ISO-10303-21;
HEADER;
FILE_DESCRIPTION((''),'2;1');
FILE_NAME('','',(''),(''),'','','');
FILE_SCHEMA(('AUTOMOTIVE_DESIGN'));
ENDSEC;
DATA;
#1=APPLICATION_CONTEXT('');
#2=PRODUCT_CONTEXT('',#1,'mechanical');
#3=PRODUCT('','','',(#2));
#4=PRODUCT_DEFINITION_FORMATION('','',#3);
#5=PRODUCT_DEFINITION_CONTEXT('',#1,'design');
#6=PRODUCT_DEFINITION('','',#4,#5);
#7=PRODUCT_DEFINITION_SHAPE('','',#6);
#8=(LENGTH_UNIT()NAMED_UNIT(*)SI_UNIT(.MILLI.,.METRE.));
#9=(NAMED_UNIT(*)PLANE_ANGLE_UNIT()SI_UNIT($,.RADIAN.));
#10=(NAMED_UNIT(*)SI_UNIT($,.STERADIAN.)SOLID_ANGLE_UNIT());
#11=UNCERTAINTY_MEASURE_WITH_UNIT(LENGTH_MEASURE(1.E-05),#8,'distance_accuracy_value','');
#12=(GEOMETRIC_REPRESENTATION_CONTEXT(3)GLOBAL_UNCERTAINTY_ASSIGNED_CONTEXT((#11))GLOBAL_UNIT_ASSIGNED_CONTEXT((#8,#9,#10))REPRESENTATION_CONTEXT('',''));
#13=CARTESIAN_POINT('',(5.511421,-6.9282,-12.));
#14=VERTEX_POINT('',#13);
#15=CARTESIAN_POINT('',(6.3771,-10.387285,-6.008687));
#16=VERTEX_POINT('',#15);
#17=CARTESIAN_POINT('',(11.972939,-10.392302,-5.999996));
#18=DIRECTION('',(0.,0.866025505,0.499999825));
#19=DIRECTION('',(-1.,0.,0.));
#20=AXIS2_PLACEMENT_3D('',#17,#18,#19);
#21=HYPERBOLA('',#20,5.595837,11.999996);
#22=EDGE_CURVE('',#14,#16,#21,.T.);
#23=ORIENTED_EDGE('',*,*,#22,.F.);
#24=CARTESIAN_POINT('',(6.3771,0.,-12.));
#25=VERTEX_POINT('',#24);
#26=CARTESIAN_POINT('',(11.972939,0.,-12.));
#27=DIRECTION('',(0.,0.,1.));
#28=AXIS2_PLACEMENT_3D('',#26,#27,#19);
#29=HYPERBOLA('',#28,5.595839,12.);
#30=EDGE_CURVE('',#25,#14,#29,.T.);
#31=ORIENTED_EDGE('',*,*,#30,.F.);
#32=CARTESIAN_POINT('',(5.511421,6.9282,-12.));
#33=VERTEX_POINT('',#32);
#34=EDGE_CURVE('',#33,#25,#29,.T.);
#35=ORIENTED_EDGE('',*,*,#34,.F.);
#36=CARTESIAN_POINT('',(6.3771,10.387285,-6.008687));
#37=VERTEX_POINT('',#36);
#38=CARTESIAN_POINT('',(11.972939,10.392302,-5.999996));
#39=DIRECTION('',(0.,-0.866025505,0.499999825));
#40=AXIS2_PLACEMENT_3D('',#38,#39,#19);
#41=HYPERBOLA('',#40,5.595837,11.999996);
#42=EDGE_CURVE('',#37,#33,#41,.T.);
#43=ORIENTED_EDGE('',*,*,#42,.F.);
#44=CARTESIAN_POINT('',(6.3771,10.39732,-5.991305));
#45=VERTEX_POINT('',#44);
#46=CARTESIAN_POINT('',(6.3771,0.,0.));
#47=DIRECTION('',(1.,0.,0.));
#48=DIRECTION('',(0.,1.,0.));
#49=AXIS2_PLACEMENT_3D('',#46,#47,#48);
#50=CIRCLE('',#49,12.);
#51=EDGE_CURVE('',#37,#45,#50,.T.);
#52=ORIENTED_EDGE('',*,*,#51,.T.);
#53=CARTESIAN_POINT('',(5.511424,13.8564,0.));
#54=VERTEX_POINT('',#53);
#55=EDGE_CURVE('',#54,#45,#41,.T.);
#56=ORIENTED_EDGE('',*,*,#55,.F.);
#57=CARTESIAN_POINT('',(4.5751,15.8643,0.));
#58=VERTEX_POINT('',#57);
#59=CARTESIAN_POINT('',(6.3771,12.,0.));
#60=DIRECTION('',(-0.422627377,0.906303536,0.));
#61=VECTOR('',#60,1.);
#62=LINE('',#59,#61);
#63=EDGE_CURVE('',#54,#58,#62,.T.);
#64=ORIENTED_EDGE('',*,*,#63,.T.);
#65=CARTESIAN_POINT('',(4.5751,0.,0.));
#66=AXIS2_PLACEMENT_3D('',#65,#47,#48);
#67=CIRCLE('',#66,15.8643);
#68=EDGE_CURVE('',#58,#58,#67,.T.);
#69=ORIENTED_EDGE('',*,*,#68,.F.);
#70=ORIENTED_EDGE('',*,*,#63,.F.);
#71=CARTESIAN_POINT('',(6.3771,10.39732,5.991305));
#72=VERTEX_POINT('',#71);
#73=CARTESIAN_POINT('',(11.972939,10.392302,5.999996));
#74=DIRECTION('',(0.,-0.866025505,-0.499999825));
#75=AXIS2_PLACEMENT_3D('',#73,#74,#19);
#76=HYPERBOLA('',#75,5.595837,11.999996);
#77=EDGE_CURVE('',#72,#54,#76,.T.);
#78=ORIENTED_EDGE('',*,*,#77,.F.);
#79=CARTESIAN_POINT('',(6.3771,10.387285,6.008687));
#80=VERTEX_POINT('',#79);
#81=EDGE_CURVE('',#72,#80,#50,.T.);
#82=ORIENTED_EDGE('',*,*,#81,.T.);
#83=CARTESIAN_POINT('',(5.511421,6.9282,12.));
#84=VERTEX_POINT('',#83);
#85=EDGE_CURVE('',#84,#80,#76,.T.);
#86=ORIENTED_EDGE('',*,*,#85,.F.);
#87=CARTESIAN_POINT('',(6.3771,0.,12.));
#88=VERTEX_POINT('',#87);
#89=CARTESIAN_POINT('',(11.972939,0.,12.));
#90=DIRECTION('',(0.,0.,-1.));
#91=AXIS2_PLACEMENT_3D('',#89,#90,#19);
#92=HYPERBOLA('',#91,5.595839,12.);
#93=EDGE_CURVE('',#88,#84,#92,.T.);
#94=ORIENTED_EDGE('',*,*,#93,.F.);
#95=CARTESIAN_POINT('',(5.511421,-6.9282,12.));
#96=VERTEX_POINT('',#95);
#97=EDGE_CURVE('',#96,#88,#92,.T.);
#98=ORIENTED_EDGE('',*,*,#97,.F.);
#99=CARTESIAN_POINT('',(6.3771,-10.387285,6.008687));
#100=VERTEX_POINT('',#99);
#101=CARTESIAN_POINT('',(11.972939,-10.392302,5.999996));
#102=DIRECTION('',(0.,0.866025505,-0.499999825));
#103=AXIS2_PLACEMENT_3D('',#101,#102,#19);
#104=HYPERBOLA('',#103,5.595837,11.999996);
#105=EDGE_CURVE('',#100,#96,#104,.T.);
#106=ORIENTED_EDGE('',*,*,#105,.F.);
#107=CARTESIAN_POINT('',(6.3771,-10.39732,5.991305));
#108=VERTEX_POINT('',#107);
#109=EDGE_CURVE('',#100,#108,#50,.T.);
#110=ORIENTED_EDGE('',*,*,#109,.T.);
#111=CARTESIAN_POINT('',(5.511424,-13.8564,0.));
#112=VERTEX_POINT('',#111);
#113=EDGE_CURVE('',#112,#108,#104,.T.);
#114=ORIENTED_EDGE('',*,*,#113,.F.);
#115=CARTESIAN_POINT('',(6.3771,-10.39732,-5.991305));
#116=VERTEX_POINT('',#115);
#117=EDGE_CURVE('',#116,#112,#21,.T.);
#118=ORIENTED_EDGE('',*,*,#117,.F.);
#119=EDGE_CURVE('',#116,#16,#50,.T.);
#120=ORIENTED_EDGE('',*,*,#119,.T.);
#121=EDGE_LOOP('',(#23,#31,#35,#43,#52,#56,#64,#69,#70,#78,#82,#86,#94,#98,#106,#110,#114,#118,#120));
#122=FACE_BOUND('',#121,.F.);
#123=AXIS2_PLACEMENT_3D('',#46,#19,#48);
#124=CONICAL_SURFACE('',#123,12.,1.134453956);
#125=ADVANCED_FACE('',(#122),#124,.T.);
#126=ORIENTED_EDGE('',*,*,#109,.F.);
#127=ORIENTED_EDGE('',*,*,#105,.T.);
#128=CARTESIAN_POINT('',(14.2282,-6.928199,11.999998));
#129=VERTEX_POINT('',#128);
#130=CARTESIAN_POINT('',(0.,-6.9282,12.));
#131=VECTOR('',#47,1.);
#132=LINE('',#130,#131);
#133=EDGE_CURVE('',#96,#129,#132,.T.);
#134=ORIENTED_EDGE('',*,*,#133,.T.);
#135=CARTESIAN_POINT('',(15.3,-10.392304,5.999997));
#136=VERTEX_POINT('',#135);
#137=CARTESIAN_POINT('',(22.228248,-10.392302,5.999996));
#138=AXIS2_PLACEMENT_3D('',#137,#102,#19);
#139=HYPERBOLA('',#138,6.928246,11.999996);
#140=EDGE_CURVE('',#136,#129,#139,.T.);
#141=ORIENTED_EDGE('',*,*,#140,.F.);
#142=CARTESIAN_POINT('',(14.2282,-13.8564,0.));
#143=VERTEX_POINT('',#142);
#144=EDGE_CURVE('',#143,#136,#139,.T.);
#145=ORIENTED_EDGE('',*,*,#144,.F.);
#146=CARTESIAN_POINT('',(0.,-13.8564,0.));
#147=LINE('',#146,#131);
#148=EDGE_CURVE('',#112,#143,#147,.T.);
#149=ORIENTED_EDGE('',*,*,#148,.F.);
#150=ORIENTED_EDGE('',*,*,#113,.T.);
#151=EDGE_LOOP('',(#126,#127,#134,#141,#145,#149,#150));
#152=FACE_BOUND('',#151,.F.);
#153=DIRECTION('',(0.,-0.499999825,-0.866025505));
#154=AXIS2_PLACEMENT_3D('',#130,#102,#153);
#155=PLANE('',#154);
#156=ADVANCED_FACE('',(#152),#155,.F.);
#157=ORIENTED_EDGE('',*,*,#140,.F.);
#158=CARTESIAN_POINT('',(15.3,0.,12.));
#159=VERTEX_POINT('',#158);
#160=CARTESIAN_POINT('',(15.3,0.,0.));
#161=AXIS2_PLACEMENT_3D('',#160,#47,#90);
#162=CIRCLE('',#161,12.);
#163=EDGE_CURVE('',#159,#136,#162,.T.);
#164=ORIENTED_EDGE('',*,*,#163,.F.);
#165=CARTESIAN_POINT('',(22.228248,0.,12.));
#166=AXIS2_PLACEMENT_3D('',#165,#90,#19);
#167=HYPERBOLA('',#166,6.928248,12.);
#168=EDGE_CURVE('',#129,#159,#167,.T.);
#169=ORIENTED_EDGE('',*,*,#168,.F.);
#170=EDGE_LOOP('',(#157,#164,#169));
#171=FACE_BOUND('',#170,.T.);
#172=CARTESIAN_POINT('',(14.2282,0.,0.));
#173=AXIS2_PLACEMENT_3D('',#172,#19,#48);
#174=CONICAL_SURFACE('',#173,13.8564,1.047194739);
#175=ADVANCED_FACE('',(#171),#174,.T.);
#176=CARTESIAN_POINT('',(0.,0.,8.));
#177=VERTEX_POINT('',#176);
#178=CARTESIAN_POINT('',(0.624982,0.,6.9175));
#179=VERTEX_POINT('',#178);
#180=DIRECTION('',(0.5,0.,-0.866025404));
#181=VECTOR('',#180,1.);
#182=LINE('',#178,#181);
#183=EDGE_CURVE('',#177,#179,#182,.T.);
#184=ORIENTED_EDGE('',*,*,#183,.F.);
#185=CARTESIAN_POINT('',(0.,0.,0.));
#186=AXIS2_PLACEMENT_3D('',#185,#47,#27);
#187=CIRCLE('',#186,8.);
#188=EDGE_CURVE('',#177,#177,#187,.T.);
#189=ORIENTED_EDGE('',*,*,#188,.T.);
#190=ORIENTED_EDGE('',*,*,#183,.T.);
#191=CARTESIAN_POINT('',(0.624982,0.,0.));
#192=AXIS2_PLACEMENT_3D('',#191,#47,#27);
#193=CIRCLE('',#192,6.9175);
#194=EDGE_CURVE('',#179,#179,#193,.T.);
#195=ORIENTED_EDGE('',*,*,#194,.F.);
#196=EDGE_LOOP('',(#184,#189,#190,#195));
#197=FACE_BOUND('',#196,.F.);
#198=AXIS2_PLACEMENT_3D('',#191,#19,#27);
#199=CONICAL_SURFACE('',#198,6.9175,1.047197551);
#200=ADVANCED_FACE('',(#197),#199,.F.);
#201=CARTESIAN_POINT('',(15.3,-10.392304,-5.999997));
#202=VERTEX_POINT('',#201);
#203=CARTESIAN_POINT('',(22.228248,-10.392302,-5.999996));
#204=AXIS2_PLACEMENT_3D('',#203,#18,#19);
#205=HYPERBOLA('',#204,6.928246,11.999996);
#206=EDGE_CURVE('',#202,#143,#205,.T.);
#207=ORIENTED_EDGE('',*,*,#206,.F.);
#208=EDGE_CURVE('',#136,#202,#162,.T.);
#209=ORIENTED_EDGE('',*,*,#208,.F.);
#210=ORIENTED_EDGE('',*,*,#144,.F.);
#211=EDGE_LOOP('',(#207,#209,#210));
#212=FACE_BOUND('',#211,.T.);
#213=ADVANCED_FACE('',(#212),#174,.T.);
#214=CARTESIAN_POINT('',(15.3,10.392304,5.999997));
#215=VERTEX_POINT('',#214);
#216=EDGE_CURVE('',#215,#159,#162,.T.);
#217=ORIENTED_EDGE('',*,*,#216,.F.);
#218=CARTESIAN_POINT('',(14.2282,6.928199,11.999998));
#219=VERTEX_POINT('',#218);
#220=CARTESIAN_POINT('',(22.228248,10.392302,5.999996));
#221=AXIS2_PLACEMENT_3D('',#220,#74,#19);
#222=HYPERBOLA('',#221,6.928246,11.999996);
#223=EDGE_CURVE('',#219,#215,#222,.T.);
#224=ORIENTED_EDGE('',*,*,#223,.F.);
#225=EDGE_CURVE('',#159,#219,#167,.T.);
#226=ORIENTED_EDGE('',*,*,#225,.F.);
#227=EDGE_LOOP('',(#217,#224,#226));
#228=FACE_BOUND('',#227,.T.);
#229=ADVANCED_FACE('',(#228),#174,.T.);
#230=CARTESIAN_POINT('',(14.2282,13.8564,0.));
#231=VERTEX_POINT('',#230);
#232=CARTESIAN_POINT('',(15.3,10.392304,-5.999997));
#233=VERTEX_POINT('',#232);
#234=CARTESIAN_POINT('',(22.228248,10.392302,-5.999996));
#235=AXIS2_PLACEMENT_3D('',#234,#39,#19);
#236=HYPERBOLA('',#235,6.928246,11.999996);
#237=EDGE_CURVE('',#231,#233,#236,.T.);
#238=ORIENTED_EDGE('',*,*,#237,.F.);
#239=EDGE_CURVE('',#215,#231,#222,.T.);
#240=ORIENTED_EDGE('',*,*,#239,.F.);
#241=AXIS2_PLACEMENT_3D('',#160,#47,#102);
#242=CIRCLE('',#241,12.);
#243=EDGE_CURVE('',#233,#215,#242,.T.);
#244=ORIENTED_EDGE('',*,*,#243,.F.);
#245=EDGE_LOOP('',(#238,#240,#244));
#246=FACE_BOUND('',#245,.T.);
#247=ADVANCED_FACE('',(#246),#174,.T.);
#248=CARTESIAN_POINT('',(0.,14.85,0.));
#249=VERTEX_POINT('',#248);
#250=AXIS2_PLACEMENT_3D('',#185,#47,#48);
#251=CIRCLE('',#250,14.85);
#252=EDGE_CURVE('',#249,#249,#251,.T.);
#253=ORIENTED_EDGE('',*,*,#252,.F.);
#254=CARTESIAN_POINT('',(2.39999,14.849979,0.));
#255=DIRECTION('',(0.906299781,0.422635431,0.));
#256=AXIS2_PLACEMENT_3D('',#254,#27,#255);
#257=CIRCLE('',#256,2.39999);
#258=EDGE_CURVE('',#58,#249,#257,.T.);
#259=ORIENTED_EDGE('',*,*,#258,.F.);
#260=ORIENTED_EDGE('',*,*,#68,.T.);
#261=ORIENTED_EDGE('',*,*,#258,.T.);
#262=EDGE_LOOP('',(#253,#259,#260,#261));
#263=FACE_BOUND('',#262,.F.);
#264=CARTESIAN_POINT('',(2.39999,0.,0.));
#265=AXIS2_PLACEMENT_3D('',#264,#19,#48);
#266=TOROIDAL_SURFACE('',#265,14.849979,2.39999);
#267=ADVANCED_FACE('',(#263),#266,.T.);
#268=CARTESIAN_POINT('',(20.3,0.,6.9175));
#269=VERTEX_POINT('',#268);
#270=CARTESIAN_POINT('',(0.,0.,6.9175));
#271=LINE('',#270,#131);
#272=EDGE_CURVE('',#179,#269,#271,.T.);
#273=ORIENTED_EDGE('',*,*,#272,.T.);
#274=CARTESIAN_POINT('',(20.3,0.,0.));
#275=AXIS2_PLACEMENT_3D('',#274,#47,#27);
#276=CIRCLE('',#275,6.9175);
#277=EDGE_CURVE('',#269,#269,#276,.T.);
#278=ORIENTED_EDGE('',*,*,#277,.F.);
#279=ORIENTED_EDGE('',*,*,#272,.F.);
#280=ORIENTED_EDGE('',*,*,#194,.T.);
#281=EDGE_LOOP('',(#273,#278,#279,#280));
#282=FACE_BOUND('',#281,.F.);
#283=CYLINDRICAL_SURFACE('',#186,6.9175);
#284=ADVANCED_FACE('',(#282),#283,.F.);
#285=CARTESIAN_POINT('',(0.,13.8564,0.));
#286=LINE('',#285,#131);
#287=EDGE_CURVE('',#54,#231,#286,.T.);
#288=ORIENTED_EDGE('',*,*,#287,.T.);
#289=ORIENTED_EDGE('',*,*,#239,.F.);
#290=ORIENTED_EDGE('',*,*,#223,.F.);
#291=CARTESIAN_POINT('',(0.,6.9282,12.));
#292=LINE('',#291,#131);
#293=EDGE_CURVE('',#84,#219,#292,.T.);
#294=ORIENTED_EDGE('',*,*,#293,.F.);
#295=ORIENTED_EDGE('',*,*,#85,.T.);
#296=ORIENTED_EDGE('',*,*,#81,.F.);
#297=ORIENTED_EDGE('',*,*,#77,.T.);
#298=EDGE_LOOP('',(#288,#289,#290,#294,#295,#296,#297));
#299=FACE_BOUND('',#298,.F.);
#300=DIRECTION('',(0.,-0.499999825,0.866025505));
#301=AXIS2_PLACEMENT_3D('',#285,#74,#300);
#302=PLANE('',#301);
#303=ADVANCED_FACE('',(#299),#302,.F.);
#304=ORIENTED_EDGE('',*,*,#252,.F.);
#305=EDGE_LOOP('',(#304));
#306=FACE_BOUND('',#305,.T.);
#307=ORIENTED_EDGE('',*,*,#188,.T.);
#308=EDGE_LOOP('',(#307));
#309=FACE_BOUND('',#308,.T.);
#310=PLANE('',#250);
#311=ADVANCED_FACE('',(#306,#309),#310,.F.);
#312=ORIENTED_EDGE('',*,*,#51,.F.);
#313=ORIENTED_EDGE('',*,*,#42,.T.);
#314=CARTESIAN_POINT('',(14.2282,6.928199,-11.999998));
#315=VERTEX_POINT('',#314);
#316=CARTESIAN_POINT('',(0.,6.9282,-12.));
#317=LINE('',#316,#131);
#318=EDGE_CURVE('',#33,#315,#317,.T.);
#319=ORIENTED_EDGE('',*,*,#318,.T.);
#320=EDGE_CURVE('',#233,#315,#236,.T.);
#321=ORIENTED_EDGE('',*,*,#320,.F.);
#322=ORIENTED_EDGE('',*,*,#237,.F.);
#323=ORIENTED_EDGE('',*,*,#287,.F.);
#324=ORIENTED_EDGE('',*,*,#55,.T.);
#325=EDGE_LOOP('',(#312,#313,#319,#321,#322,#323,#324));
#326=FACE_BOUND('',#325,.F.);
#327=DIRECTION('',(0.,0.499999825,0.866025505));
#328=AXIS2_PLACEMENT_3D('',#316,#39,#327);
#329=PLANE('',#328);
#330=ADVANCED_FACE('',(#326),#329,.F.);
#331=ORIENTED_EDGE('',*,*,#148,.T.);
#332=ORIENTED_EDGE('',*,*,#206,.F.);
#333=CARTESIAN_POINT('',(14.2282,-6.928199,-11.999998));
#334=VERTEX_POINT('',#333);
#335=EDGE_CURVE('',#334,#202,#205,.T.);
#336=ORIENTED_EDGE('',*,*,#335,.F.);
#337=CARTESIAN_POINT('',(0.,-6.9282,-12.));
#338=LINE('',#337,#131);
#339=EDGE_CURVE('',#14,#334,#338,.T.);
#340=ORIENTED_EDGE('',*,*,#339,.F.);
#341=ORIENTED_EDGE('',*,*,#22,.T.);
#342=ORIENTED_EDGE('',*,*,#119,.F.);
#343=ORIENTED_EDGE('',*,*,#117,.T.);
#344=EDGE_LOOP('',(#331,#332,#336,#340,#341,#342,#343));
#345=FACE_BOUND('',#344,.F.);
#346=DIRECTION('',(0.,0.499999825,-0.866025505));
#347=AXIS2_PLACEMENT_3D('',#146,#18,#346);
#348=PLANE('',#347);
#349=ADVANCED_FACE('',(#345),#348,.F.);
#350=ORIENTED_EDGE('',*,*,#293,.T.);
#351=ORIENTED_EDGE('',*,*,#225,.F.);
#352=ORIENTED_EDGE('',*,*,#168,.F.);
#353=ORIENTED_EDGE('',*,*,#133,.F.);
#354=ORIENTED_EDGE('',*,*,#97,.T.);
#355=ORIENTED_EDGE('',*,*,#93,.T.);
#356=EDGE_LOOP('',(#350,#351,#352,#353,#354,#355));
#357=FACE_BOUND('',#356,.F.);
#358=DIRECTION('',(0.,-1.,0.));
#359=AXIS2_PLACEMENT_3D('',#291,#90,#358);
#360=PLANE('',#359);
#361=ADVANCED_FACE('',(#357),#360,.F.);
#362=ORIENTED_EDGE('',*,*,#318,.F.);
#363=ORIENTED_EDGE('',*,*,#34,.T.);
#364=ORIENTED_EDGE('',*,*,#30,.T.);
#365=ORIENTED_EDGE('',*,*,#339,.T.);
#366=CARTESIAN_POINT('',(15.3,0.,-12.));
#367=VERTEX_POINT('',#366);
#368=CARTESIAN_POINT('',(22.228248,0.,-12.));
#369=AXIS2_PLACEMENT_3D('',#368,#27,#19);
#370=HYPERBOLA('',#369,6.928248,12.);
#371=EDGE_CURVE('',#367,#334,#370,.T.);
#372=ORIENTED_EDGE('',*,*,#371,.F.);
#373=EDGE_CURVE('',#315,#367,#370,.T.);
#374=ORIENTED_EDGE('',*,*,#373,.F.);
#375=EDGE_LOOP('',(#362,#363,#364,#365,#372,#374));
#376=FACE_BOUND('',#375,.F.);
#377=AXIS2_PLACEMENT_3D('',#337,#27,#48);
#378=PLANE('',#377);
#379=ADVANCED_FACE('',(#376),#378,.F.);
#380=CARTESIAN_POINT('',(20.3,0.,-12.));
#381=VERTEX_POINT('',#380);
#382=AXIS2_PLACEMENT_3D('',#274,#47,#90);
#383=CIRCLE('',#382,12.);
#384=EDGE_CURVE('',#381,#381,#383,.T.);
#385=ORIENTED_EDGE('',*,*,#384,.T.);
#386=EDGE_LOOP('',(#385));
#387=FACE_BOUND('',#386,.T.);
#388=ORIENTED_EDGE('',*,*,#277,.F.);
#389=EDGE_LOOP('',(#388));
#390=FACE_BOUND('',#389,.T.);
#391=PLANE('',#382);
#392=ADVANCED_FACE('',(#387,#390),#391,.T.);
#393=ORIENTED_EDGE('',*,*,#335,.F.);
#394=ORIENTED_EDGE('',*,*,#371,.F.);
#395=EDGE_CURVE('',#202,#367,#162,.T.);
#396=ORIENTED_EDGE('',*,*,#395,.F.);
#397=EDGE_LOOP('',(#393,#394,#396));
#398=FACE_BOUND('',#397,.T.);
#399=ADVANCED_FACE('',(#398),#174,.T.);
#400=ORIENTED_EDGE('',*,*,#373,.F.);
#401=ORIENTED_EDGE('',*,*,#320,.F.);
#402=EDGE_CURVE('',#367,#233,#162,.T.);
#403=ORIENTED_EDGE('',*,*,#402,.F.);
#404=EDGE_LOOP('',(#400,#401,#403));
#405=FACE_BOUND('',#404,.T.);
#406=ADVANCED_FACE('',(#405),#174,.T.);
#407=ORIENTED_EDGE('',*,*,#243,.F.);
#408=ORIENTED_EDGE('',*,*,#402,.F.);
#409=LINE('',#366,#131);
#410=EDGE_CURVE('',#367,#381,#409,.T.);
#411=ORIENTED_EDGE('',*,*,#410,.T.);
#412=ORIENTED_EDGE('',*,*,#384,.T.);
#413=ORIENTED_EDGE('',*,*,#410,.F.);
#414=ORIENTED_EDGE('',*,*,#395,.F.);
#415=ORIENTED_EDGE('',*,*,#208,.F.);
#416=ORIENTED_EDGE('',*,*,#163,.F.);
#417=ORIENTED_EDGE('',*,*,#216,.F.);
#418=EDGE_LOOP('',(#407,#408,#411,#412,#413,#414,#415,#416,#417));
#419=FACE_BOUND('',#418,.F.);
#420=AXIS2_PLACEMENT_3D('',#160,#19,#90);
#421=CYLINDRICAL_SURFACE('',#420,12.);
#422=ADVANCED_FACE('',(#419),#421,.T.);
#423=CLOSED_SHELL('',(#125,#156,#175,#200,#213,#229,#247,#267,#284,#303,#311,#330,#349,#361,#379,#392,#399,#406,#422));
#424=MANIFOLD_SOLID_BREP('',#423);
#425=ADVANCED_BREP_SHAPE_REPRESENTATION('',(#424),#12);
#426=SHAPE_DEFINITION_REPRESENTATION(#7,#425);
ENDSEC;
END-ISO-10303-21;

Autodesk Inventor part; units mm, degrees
ref_plane "YZ Plane" through (0, 0, 0) normal (1, 0, 0) x (0, 1, 0)
ref_plane "XZ Plane" through (0, 0, 0) normal (0, 1, 0) x (-1, 0, 0)
sketch "Schizzo1" plane through (0, 0, 0) normal (0, 0, 1) x (1, 0, 0)
  line L0 (-4.5484, 0) -> (24.4414, 0) projected
  line L1 (6.3771, 12) -> (4.5751, 15.8643)
  line L2 (6.3771, 12) -> (20.3, 12) construction
  line L3 (20.3, 12) -> (20.3, 0) construction
  arc A0 (4.5751, 15.8643) -> (0, 14.85) centre (2.4, 14.85) ccw
  line L4 (6.3771, 12) -> (6.3771, 0)
  line L5 (0, -3.5401) -> (0, 21.2403) projected
  point P0 (0, 0)
  dimension "d1" = 24
  dimension "d3" = 34.5
  dimension "d4" = 2.4
  dimension "d16" = 20.3
  dimension "d17" = 25
revolve "Anello" add sketch "Schizzo1" angle 360 about axis through (-10, 0, 0) along (1, 0, 0)
sketch "Schizzo2" plane through (0, 0, 0) normal (-1, 0, 0) x (0, 0, 1)
  circle A0 centre (0, 0) radius 4.9
  line L0 (-12, -6.9282) -> (-12, 6.9282)
  line L1 (-12, 6.9282) -> (0, 13.8564)
  line L2 (0, 13.8564) -> (12, 6.9282)
  line L3 (12, 6.9282) -> (12, -6.9282)
  line L4 (12, -6.9282) -> (0, -13.8564)
  line L5 (0, -13.8564) -> (-12, -6.9282)
  circle A1 centre (0, 0) radius 14.85 projected
  dimension "d5" = 27.7128
extrude "Corpo" add sketch "Schizzo2" against normal blind 15.3 contours A0 | L0 L1 L2 L3 L4 L5
sketch "Schizzo3" plane through (15.3, 0, 0) normal (1, 0, 0) x (0, 0, -1)
  circle A0 centre (0, 0) radius 12
  dimension "d19" = 24
extrude "Corona" add sketch "Schizzo3" along normal blind 5
sketch "Schizzo4" plane through (0, 0, 0) normal (-1, 0, 0) x (0, 0, 1)
  circle A0 centre (0, 0) radius 4.9
  circle A1 centre (0, 0) radius 14.85 projected
hole "Filettatura" at (0, 0, 0) direction (1, 0, 0) diameter 13.835 end through all thread size "M16x2" class "6H" standard "ISO Metric profile"
sketch "Schizzo5" plane through (0, 0, 0) normal (0, 0, 1) x (1, 0, 0)
  line L0 (5.5114, 13.8564) -> (15.3, 13.8564) projected
  line L1 (15.3, 6.9282) -> (15.3, 13.8564) projected
  line L2 (0, -14.85) -> (0, 14.85) projected
  line L3 (-3.06, 0) -> (18.36, 0) projected
  line L4 (14.2282, 13.8564) -> (15.3, 12)
  dimension "d9" = 30
  dimension "d10" = 24
revolve "Smusso1" cut sketch "Schizzo5" angle 360 about axis through (-10, 0, 0) along (1, 0, 0)
chamfer "Smusso2" distance 1.0825 angle 30 1 edges at (0, 0, -6.9175) measured on face at (0, 12.0452, -1.4626)
ref_plane "Work Plane1" through (52.845, 0, 0) normal (0, 0, -1) x (-1, 0, 0)
equation "\"d1\" = SW"
equation "\"d3\" = LADI"
equation "\"d4\" = PHH"
equation "\"d16\" = KOH"
equation "\"d17\" = KEWI"
equation "\"d5\" = 1.1547 * SW"
equation "\"d6\" = KOH1"
equation "\"d19\" = SD2"
equation "\"d11\" = KOH - KOH1"
equation "\"d9\" = ANG1"
equation "\"d10\" = SW0"
equation "\"d13\" = -0.5 * GD1 + 0.5 * NND"
equation "\"d57\" = -0.5 * GD1 + 0.5 * NND"
equation "\"ANG1\" = 30deg"
equation "\"KEWI\" = 25deg"
equation "\"NND\" = 16"
equation "\"LADI\" = 34.5"
equation "\"SW\" = 24"
equation "\"PHH\" = 2.4"
equation "\"KOH\" = 20.3"
equation "\"SW0\" = SW"
equation "\"d0\" = LADI"
equation "\"d2\" = PHH"
equation "\"KOH1\" = 15.3"
equation "\"SD2\" = SW"
equation "\"GUL\" = 0.541266 * PTC"
equation "\"RR\" = PHH"
equation "\"THREADDIA\" = 16"
equation "\"TOA\" = 30deg"
equation "\"PTC\" = 2"
equation "\"GAL\" = 0.541266 * PTC"
equation "\"E0\" = 1.155 * SW"
equation "\"GD1\" = 13.834936"
properties part number "ISO 7043 - M16" material "Acciaio"
